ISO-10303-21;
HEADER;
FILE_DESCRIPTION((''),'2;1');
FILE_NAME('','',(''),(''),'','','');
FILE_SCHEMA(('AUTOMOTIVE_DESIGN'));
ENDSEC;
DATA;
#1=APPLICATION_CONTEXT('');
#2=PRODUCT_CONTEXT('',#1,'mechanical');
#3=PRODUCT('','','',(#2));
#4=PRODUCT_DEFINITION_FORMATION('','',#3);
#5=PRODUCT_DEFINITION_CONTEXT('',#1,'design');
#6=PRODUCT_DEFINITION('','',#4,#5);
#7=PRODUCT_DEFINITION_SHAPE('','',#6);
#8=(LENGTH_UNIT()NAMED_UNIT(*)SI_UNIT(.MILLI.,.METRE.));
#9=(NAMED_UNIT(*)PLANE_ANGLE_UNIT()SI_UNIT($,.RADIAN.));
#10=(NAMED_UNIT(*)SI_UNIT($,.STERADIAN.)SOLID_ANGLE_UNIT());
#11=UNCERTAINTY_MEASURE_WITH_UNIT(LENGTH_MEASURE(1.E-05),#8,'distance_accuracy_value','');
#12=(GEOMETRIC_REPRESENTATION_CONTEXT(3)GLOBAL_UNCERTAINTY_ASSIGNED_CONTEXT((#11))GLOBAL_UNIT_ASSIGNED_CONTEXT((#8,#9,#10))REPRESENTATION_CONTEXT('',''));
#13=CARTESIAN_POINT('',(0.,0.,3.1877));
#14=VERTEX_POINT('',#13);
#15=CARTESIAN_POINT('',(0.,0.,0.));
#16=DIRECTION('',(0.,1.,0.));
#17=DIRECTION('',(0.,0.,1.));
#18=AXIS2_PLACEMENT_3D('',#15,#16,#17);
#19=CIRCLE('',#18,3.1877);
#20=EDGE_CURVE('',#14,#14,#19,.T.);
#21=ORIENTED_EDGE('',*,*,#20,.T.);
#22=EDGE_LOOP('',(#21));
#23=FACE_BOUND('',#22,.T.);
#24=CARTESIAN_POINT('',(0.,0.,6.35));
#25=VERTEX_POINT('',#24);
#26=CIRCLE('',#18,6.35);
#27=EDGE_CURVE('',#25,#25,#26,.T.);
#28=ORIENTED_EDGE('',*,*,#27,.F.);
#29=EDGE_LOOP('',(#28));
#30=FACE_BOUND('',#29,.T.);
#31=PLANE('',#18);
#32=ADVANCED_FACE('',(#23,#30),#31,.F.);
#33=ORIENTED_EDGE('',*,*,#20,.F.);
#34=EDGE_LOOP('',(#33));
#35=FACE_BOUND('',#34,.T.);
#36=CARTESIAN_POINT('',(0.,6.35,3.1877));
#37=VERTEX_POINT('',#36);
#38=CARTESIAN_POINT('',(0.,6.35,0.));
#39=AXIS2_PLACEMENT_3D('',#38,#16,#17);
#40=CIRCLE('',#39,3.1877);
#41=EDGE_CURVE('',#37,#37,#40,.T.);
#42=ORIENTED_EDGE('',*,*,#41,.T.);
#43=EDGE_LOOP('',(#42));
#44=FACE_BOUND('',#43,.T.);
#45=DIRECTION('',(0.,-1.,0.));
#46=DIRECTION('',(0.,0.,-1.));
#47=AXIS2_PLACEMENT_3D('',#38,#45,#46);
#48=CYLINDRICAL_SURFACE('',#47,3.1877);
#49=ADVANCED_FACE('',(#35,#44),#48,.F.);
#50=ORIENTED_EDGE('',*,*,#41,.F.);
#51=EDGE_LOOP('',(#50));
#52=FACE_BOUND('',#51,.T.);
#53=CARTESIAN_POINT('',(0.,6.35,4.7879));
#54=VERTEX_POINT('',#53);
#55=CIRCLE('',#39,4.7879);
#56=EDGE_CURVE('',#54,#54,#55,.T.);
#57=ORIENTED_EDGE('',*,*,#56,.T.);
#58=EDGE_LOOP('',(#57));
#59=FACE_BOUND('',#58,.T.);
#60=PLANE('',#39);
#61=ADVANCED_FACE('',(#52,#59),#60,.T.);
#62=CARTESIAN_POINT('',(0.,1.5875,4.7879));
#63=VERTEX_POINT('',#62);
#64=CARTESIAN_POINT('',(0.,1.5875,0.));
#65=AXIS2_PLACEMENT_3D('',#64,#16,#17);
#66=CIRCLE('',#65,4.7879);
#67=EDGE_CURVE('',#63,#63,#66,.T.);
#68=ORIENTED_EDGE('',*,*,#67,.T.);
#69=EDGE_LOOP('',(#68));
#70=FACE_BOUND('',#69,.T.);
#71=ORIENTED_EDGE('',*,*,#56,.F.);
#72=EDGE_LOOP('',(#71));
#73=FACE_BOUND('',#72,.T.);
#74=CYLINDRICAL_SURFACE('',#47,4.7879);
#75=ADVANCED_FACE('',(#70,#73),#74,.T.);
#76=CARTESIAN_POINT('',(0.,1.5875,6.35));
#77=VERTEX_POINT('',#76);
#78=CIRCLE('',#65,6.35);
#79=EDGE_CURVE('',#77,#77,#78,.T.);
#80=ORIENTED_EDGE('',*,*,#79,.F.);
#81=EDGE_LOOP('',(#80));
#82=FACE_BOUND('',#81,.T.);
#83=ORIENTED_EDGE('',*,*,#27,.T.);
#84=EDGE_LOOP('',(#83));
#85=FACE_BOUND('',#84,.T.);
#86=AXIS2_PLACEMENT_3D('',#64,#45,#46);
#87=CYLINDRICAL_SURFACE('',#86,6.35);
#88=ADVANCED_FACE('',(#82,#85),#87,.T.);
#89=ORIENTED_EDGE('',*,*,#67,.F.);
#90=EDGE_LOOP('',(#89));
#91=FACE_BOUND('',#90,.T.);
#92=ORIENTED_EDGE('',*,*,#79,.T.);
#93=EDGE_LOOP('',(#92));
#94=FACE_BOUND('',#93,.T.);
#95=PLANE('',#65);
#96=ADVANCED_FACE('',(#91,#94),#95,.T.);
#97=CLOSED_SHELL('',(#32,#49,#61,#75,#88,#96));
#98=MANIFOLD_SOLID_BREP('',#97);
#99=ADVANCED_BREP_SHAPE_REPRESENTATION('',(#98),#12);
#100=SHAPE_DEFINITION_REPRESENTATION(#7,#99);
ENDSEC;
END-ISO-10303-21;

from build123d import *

# Parameters (mm, degrees)
SKETCH2_R           = 4.7879
SKETCH2_R_2         = 3.1877
BOSS_EXTRUDE1_DEPTH = 6.35
SKETCH3_R           = 6.35
SKETCH3_R_2         = 4.7879
BOSS_EXTRUDE2_DEPTH = 1.5875


with BuildPart() as part:
    # Sketch2 → Boss-Extrude1 (new body)
    with BuildSketch(Plane(origin=(0, 0, 0), x_dir=(1, 0, 0), z_dir=(0, 1, 0))):
        Circle(SKETCH2_R)
        Circle(SKETCH2_R_2, mode=Mode.SUBTRACT)
    extrude(amount=BOSS_EXTRUDE1_DEPTH)

    # Sketch3 → Boss-Extrude2 (add)
    with BuildSketch(Plane(origin=(0, 0, 0), x_dir=(1, 0, 0), z_dir=(0, 1, 0))):
        Circle(SKETCH3_R)
        Circle(SKETCH3_R_2, mode=Mode.SUBTRACT)
    extrude(amount=BOSS_EXTRUDE2_DEPTH)


solid = part.part
